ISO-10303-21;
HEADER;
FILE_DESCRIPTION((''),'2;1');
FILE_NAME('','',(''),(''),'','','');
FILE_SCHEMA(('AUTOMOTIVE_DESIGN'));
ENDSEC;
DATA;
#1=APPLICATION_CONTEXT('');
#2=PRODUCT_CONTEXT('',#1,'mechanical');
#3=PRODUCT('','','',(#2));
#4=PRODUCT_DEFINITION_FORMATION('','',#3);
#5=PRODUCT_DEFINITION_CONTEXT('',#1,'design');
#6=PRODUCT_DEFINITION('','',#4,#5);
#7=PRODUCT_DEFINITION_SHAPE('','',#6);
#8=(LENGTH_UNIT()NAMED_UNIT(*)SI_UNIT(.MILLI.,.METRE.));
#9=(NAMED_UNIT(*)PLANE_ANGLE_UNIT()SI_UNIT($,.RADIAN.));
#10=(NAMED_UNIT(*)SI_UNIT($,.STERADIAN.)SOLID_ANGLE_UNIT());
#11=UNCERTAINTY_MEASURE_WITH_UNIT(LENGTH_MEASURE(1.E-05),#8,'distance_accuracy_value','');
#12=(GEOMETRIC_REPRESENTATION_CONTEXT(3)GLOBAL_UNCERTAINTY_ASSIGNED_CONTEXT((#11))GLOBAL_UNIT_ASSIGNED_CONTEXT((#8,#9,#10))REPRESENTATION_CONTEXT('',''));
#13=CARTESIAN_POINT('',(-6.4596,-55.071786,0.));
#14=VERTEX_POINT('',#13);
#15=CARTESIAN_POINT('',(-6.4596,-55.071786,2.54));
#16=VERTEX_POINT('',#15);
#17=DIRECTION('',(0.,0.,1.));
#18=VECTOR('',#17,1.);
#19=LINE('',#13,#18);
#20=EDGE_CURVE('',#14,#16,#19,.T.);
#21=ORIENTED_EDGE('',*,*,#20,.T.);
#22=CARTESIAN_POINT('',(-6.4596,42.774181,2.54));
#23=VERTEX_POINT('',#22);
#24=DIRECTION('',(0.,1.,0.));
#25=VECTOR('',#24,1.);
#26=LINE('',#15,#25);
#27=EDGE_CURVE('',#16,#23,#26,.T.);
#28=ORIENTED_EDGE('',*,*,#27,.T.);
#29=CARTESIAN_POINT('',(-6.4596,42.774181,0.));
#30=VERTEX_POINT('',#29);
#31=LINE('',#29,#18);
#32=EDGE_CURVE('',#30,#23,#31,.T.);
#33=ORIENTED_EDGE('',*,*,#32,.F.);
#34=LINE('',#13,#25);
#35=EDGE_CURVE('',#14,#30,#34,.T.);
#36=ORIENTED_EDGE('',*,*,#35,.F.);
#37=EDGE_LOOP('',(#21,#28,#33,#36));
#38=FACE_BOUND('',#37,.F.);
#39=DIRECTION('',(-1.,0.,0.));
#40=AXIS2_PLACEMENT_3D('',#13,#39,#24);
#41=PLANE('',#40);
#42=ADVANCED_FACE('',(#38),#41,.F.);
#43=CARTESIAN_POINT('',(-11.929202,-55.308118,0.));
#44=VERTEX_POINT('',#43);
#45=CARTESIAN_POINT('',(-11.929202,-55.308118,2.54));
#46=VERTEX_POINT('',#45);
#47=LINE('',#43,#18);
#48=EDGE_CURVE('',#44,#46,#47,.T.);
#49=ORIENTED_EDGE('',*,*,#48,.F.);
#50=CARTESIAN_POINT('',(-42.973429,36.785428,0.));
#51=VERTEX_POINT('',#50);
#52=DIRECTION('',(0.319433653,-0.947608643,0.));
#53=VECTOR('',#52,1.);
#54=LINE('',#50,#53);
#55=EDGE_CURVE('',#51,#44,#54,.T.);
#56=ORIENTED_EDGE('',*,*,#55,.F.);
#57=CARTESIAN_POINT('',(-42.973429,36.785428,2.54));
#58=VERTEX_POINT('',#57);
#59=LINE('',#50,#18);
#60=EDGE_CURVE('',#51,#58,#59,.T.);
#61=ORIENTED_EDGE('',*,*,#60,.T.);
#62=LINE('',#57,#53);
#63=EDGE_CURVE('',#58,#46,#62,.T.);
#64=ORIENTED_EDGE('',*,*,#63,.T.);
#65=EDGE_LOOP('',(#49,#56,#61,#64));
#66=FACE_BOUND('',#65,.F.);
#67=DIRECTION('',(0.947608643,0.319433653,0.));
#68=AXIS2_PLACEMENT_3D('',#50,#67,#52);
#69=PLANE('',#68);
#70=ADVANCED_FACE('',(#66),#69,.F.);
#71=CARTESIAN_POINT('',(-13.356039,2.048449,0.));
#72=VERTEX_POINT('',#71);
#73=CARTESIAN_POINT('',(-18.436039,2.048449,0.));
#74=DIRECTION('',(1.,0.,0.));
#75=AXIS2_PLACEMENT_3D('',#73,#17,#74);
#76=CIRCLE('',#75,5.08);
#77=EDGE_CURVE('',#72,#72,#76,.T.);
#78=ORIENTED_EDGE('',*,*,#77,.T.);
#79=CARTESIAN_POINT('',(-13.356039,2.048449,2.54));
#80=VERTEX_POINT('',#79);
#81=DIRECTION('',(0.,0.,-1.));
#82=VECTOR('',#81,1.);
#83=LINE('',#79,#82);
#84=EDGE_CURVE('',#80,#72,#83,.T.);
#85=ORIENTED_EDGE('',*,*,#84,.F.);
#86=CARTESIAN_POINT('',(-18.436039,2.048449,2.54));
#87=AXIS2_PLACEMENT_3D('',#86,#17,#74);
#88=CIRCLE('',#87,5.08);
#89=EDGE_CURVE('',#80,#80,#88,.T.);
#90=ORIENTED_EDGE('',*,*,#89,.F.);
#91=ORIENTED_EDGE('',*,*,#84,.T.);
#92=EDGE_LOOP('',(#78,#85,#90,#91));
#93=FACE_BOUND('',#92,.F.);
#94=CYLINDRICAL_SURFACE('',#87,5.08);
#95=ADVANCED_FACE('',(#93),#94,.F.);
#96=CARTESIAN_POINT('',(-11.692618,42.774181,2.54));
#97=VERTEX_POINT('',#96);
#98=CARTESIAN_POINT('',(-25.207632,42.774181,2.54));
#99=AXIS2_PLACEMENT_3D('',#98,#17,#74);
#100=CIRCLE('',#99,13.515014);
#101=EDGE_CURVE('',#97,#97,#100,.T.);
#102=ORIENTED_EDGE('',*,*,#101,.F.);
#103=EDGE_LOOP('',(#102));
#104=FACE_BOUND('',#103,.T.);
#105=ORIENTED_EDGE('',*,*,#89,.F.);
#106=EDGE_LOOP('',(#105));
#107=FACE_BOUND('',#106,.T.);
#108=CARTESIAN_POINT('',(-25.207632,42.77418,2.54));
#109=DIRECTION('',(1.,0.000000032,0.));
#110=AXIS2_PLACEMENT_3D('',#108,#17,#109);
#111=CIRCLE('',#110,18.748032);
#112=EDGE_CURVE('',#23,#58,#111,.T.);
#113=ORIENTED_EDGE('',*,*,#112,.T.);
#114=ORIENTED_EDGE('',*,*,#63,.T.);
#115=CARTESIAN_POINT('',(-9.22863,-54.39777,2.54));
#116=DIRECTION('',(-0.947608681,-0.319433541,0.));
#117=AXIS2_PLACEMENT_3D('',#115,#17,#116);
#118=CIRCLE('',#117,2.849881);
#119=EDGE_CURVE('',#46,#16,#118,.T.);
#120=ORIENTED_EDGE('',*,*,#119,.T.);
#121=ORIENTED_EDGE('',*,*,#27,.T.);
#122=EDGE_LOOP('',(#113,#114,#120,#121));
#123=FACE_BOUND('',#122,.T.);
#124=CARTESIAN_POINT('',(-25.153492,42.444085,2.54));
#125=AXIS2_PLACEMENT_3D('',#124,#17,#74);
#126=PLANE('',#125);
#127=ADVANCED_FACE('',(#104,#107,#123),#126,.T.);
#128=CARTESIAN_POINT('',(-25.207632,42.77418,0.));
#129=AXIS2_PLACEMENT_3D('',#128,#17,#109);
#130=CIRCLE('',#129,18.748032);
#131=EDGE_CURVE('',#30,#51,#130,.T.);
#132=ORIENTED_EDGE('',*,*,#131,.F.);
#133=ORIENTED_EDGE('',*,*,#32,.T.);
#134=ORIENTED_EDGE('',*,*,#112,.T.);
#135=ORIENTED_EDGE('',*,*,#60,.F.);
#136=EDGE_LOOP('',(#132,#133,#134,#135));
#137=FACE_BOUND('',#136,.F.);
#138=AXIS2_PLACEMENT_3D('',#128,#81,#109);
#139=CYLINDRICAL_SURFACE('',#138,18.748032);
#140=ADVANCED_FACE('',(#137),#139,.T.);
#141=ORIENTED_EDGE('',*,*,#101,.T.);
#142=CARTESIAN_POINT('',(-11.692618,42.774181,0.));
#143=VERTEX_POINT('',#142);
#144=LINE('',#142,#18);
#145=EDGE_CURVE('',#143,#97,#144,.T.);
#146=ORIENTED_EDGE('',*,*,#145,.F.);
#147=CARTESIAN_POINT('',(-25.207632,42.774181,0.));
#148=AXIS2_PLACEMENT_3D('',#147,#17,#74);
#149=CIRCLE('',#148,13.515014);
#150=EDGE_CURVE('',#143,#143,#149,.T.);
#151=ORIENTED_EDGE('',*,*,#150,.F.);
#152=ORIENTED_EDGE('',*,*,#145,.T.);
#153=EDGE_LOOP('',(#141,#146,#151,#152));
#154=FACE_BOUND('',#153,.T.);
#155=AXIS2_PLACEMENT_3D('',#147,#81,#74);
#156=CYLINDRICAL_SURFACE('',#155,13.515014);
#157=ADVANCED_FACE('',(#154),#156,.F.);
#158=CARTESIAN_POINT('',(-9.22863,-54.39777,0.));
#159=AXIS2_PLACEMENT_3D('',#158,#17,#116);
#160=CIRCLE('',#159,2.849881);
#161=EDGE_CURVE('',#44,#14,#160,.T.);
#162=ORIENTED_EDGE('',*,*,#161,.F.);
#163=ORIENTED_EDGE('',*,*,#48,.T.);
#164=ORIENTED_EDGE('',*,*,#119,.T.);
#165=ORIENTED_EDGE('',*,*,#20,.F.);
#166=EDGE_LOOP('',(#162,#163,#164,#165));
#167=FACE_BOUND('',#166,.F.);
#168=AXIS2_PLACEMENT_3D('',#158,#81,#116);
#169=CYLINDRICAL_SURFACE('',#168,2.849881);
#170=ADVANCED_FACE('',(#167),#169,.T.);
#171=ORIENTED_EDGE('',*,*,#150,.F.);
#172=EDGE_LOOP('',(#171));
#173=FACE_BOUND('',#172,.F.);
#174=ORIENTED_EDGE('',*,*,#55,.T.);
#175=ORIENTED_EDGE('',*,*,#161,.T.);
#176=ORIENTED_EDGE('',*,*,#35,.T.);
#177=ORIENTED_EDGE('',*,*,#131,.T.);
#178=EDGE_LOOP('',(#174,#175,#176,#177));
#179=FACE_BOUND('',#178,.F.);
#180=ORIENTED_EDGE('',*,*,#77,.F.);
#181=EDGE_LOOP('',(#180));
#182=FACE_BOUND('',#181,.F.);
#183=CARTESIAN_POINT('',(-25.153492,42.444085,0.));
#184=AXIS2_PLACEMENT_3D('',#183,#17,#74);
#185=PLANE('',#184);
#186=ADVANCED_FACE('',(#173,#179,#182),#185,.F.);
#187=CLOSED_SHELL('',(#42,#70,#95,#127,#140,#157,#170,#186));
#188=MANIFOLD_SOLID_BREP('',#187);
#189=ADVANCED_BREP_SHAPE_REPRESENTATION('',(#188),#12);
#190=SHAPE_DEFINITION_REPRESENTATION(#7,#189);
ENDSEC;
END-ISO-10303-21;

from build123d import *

# Parameters (mm, degrees)
F0_R     = 13.515014
F1_DEPTH = 2.54
F2_R     = 5.08
F3_DEPTH = 12.192


with BuildPart() as f1:
    # F0 (on Top) → F1 (new body)
    with BuildSketch(Plane.XY):
        with BuildLine():
            ThreePointArc((-42.973429, 36.785428), (-22.173248, 24.273337), (-6.4596, 42.774181))
            ThreePointArc((-6.4596, 42.774181), (-28.242016, 61.275024), (-42.973429, 36.785428))
        make_face()
        with Locations((-25.207632, 42.774181)):
            Circle(F0_R, mode=Mode.SUBTRACT)
        with BuildLine():
            Line((-6.4596, -55.071786), (-6.4596, 42.774181))
            ThreePointArc((-6.4596, 42.774181), (-22.173248, 24.273337), (-42.973429, 36.785428))
            Line((-42.973429, 36.785428), (-11.929202, -55.308118))
            ThreePointArc((-11.929202, -55.308118), (-9.105606, -57.244995), (-6.4596, -55.071786))
        make_face()
    extrude(amount=F1_DEPTH)

    # F2 (on face) → F3 (cut)
    with BuildSketch(Plane.XY.offset(2.54)):
        with Locations((-18.436039, 2.048449)):
            Circle(F2_R)
    extrude(amount=-F3_DEPTH, mode=Mode.SUBTRACT)


solid = f1.part
